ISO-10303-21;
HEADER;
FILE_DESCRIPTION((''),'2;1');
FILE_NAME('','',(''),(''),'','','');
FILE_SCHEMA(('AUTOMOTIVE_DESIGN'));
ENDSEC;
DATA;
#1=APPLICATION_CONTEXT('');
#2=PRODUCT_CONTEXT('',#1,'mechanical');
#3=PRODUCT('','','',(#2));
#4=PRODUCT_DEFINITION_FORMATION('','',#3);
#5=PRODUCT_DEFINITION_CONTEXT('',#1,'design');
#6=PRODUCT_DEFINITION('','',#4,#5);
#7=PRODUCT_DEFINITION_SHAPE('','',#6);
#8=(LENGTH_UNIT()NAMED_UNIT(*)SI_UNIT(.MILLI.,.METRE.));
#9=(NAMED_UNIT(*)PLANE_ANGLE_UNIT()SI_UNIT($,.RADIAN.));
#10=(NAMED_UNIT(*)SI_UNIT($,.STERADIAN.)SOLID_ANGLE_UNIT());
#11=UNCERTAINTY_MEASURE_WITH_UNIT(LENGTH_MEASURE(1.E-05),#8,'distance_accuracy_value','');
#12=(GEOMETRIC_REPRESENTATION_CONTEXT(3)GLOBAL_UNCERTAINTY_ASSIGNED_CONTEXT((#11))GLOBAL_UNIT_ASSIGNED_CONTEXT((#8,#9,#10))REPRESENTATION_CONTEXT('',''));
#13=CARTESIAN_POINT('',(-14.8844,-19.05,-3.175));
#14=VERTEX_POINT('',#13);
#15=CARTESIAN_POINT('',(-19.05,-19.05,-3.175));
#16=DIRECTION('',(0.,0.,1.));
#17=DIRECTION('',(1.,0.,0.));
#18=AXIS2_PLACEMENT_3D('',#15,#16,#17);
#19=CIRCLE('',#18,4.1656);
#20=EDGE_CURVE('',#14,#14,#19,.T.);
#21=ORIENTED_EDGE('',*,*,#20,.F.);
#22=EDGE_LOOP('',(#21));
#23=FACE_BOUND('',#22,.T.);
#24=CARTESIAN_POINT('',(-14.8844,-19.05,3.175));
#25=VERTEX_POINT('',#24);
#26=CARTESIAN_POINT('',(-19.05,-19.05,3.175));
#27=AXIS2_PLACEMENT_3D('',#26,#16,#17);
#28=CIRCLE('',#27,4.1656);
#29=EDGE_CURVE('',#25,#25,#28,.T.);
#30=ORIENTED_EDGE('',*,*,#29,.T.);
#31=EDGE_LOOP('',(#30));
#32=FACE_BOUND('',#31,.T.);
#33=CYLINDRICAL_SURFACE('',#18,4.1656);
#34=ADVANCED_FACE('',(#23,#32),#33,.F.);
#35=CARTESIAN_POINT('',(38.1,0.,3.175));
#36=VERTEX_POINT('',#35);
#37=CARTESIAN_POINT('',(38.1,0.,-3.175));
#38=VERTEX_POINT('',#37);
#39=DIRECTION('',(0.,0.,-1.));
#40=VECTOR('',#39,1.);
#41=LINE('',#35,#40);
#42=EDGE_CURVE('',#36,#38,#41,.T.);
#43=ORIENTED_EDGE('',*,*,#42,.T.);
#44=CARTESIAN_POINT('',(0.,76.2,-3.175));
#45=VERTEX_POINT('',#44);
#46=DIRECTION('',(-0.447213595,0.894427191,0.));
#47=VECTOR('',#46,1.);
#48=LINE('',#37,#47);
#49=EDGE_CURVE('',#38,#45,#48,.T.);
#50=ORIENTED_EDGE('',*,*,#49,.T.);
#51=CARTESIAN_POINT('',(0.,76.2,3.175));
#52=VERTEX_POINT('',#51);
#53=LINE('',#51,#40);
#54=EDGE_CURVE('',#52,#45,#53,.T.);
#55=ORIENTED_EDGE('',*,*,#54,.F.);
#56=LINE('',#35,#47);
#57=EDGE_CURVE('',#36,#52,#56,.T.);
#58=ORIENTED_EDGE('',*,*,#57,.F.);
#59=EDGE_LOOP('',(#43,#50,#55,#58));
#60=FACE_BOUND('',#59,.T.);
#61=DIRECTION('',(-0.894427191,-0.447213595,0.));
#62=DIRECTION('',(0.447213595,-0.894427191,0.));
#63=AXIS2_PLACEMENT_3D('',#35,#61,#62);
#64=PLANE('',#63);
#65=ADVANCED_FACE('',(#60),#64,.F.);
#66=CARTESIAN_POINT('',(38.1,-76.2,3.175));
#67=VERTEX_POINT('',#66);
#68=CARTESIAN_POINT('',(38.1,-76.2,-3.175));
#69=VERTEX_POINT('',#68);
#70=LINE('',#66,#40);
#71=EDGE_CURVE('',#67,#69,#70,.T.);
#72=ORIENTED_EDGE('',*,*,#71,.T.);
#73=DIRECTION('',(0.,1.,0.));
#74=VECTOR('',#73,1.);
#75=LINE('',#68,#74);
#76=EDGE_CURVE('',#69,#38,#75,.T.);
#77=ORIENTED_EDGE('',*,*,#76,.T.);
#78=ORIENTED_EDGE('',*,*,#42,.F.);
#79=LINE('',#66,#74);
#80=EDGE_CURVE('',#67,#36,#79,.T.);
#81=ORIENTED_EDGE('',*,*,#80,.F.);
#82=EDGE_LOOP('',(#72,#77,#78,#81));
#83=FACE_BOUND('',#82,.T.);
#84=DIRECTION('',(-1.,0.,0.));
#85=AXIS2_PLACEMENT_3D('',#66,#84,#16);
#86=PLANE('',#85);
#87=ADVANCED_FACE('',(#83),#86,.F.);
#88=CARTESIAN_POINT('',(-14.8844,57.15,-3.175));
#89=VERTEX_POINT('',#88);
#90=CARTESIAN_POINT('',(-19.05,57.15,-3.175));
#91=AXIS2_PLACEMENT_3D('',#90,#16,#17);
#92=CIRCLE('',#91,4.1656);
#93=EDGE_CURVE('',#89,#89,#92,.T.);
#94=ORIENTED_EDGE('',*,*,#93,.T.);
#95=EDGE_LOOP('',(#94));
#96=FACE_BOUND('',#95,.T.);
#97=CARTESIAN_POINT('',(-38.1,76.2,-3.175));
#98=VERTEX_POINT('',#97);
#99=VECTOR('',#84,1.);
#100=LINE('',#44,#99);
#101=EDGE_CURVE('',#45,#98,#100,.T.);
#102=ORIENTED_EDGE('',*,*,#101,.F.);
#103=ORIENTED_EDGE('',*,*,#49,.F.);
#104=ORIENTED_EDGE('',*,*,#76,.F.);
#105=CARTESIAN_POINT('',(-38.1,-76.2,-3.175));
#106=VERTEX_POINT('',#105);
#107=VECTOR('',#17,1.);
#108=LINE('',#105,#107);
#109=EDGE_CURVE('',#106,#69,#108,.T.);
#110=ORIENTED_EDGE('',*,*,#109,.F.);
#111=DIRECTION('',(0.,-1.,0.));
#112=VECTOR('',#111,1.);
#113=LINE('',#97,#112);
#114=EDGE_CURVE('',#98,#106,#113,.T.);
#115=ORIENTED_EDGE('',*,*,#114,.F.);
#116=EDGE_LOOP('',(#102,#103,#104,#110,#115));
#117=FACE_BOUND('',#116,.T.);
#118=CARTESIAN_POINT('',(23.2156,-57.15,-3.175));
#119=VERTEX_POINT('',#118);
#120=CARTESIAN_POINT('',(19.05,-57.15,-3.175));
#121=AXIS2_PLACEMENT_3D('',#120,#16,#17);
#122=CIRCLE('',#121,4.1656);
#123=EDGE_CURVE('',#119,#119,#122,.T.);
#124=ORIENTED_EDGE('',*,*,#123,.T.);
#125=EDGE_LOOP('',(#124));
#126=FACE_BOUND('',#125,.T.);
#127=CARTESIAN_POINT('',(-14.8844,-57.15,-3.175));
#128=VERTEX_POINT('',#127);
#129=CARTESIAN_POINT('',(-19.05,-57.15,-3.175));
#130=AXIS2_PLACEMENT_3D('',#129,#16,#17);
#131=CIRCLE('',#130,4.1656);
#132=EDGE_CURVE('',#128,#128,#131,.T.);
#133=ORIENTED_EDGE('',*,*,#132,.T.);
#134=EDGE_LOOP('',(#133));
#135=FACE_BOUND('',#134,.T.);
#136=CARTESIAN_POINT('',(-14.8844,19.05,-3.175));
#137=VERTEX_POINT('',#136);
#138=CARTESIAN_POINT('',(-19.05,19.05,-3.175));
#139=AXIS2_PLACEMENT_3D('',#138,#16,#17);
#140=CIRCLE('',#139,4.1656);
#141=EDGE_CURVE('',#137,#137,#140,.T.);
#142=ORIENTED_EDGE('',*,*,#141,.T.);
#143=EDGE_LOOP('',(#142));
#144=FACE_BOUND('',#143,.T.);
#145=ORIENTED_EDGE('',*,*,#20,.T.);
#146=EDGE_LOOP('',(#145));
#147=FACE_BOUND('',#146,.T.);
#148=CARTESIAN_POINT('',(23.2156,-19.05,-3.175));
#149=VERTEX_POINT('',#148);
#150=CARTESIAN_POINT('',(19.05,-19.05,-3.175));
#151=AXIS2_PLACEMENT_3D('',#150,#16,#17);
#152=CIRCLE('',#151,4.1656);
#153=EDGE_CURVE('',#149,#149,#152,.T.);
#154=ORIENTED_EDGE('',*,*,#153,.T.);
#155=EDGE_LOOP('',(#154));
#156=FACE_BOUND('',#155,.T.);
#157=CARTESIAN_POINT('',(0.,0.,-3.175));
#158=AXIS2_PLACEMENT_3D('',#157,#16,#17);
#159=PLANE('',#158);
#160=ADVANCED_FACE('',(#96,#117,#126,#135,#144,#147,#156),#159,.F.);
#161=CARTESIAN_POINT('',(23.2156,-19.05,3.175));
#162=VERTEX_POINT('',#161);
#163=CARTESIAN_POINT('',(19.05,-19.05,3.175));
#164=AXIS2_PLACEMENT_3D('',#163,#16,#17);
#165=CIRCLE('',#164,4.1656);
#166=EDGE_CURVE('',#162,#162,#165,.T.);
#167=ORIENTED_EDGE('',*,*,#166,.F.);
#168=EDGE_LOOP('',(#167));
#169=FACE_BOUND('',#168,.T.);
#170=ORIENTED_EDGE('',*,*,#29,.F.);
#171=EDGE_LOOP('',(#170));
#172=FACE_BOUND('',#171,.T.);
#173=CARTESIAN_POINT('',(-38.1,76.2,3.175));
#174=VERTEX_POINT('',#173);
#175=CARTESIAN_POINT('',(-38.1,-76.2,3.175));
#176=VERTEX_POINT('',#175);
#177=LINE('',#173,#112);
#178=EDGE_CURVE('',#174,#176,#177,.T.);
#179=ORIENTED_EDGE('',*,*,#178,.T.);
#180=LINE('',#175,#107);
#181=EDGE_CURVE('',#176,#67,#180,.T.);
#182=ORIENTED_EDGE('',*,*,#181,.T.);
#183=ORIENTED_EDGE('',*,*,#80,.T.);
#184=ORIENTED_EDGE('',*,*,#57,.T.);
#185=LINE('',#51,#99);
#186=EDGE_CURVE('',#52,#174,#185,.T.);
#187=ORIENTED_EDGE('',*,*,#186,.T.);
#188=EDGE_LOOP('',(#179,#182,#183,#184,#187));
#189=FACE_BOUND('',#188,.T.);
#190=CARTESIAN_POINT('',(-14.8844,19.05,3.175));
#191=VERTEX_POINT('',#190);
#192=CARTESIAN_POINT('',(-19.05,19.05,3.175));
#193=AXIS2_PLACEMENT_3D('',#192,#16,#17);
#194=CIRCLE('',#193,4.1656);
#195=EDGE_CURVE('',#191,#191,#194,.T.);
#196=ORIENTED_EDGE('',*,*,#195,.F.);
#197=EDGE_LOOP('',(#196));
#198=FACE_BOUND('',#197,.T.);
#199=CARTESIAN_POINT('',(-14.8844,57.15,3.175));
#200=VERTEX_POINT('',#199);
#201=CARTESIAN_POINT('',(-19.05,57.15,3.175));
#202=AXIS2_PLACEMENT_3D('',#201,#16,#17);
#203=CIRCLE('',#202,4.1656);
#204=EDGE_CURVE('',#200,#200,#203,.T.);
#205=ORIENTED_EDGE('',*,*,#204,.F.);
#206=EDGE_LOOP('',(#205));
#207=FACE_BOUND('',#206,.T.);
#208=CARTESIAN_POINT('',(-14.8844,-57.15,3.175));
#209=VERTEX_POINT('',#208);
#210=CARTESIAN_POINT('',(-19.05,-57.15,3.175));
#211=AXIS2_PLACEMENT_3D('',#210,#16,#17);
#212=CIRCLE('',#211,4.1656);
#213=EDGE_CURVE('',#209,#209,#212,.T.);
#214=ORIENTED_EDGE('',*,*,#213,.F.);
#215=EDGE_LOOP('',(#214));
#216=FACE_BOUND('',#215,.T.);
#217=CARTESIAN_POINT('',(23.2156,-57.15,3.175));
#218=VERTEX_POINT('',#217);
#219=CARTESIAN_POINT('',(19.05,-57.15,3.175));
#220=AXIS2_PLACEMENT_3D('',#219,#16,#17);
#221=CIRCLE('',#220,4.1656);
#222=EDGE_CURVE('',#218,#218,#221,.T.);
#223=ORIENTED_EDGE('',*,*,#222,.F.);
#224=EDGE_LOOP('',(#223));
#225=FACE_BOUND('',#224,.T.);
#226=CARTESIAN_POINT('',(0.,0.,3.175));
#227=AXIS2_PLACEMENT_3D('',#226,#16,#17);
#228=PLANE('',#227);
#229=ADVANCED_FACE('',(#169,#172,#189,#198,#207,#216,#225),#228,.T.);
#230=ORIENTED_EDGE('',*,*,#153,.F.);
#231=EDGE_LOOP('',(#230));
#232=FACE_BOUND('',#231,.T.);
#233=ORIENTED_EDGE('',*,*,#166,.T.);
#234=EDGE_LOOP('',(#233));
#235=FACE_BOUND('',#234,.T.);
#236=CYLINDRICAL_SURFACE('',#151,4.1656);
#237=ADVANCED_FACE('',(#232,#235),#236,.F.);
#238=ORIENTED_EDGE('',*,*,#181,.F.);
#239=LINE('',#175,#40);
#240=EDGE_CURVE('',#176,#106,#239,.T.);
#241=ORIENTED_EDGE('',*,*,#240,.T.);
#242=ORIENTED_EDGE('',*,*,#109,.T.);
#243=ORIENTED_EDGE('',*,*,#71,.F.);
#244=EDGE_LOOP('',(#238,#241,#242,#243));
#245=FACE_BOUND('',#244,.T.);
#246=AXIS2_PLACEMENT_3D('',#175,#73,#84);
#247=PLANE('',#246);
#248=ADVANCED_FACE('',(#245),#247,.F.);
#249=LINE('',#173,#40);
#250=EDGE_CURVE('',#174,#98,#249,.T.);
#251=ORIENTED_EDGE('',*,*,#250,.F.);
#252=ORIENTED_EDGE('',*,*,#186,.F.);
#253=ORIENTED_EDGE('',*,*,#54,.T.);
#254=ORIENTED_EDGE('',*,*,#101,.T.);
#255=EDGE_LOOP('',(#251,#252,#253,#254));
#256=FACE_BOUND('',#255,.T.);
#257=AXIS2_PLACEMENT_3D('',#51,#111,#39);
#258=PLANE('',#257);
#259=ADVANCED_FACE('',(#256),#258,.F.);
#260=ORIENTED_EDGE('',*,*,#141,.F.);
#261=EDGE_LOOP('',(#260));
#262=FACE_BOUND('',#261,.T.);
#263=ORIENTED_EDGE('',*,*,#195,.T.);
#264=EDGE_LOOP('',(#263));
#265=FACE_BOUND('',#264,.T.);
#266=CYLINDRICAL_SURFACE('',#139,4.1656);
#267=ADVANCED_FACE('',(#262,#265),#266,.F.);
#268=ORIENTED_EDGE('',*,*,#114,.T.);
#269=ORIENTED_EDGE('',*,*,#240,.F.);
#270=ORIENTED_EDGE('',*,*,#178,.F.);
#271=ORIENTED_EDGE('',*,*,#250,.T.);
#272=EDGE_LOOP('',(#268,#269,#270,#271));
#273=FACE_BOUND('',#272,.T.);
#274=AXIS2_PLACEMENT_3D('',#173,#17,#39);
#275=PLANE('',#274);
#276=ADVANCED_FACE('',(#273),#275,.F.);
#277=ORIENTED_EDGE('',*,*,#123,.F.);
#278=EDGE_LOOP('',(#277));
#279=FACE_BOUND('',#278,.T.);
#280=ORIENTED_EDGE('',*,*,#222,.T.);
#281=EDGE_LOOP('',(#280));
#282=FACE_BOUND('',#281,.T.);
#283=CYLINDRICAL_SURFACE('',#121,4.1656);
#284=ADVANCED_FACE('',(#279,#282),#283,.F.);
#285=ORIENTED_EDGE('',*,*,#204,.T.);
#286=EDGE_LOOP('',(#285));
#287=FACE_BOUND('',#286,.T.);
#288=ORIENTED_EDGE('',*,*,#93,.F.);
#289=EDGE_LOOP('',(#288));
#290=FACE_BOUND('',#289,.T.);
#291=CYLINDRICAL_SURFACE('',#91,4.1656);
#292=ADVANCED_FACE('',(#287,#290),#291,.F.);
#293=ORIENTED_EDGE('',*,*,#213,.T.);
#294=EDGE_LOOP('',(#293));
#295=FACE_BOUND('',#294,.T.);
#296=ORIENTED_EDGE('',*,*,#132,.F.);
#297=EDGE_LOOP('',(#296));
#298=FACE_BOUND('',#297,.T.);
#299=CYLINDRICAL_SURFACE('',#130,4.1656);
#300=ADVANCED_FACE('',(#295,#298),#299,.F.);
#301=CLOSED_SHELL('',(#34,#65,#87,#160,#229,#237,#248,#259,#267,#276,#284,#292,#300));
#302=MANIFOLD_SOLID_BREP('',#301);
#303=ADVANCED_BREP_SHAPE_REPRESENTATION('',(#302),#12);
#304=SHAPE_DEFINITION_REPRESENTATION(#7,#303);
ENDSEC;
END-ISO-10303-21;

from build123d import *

# Parameters (mm, degrees)
BOSS_EXTRUDE1_DEPTH      = 3.175
BOSS_EXTRUDE1_DEPTH_BACK = 3.175
SKETCH4_R                = 4.1656
CUT_EXTRUDE1_DEPTH       = 86.430512699


with BuildPart() as part:
    # Sketch3 → Boss-Extrude1 (new, two sides: drawn at the far end of the back side and taken through both)
    with BuildSketch(Plane.XY.offset(-BOSS_EXTRUDE1_DEPTH_BACK)):
        Polygon((0, 76.2), (-38.1, 76.2), (-38.1, -76.2), (38.1, -76.2), (38.1, 0), align=None)
    extrude(amount=BOSS_EXTRUDE1_DEPTH + BOSS_EXTRUDE1_DEPTH_BACK)

    # Sketch4 → Cut-Extrude1 (cut, through all)
    with BuildSketch(Plane.XY.offset(3.175)):
        with Locations((-19.05, -57.15)):
            Circle(SKETCH4_R)
        with Locations((19.05, -57.15)):
            Circle(SKETCH4_R)
        with Locations((19.05, -19.05)):
            Circle(SKETCH4_R)
        with Locations((-19.05, -19.05)):
            Circle(SKETCH4_R)
        with Locations((-19.05, 19.05)):
            Circle(SKETCH4_R)
        with Locations((-19.05, 57.15)):
            Circle(SKETCH4_R)
    extrude(amount=-CUT_EXTRUDE1_DEPTH, mode=Mode.SUBTRACT)


solid = part.part
